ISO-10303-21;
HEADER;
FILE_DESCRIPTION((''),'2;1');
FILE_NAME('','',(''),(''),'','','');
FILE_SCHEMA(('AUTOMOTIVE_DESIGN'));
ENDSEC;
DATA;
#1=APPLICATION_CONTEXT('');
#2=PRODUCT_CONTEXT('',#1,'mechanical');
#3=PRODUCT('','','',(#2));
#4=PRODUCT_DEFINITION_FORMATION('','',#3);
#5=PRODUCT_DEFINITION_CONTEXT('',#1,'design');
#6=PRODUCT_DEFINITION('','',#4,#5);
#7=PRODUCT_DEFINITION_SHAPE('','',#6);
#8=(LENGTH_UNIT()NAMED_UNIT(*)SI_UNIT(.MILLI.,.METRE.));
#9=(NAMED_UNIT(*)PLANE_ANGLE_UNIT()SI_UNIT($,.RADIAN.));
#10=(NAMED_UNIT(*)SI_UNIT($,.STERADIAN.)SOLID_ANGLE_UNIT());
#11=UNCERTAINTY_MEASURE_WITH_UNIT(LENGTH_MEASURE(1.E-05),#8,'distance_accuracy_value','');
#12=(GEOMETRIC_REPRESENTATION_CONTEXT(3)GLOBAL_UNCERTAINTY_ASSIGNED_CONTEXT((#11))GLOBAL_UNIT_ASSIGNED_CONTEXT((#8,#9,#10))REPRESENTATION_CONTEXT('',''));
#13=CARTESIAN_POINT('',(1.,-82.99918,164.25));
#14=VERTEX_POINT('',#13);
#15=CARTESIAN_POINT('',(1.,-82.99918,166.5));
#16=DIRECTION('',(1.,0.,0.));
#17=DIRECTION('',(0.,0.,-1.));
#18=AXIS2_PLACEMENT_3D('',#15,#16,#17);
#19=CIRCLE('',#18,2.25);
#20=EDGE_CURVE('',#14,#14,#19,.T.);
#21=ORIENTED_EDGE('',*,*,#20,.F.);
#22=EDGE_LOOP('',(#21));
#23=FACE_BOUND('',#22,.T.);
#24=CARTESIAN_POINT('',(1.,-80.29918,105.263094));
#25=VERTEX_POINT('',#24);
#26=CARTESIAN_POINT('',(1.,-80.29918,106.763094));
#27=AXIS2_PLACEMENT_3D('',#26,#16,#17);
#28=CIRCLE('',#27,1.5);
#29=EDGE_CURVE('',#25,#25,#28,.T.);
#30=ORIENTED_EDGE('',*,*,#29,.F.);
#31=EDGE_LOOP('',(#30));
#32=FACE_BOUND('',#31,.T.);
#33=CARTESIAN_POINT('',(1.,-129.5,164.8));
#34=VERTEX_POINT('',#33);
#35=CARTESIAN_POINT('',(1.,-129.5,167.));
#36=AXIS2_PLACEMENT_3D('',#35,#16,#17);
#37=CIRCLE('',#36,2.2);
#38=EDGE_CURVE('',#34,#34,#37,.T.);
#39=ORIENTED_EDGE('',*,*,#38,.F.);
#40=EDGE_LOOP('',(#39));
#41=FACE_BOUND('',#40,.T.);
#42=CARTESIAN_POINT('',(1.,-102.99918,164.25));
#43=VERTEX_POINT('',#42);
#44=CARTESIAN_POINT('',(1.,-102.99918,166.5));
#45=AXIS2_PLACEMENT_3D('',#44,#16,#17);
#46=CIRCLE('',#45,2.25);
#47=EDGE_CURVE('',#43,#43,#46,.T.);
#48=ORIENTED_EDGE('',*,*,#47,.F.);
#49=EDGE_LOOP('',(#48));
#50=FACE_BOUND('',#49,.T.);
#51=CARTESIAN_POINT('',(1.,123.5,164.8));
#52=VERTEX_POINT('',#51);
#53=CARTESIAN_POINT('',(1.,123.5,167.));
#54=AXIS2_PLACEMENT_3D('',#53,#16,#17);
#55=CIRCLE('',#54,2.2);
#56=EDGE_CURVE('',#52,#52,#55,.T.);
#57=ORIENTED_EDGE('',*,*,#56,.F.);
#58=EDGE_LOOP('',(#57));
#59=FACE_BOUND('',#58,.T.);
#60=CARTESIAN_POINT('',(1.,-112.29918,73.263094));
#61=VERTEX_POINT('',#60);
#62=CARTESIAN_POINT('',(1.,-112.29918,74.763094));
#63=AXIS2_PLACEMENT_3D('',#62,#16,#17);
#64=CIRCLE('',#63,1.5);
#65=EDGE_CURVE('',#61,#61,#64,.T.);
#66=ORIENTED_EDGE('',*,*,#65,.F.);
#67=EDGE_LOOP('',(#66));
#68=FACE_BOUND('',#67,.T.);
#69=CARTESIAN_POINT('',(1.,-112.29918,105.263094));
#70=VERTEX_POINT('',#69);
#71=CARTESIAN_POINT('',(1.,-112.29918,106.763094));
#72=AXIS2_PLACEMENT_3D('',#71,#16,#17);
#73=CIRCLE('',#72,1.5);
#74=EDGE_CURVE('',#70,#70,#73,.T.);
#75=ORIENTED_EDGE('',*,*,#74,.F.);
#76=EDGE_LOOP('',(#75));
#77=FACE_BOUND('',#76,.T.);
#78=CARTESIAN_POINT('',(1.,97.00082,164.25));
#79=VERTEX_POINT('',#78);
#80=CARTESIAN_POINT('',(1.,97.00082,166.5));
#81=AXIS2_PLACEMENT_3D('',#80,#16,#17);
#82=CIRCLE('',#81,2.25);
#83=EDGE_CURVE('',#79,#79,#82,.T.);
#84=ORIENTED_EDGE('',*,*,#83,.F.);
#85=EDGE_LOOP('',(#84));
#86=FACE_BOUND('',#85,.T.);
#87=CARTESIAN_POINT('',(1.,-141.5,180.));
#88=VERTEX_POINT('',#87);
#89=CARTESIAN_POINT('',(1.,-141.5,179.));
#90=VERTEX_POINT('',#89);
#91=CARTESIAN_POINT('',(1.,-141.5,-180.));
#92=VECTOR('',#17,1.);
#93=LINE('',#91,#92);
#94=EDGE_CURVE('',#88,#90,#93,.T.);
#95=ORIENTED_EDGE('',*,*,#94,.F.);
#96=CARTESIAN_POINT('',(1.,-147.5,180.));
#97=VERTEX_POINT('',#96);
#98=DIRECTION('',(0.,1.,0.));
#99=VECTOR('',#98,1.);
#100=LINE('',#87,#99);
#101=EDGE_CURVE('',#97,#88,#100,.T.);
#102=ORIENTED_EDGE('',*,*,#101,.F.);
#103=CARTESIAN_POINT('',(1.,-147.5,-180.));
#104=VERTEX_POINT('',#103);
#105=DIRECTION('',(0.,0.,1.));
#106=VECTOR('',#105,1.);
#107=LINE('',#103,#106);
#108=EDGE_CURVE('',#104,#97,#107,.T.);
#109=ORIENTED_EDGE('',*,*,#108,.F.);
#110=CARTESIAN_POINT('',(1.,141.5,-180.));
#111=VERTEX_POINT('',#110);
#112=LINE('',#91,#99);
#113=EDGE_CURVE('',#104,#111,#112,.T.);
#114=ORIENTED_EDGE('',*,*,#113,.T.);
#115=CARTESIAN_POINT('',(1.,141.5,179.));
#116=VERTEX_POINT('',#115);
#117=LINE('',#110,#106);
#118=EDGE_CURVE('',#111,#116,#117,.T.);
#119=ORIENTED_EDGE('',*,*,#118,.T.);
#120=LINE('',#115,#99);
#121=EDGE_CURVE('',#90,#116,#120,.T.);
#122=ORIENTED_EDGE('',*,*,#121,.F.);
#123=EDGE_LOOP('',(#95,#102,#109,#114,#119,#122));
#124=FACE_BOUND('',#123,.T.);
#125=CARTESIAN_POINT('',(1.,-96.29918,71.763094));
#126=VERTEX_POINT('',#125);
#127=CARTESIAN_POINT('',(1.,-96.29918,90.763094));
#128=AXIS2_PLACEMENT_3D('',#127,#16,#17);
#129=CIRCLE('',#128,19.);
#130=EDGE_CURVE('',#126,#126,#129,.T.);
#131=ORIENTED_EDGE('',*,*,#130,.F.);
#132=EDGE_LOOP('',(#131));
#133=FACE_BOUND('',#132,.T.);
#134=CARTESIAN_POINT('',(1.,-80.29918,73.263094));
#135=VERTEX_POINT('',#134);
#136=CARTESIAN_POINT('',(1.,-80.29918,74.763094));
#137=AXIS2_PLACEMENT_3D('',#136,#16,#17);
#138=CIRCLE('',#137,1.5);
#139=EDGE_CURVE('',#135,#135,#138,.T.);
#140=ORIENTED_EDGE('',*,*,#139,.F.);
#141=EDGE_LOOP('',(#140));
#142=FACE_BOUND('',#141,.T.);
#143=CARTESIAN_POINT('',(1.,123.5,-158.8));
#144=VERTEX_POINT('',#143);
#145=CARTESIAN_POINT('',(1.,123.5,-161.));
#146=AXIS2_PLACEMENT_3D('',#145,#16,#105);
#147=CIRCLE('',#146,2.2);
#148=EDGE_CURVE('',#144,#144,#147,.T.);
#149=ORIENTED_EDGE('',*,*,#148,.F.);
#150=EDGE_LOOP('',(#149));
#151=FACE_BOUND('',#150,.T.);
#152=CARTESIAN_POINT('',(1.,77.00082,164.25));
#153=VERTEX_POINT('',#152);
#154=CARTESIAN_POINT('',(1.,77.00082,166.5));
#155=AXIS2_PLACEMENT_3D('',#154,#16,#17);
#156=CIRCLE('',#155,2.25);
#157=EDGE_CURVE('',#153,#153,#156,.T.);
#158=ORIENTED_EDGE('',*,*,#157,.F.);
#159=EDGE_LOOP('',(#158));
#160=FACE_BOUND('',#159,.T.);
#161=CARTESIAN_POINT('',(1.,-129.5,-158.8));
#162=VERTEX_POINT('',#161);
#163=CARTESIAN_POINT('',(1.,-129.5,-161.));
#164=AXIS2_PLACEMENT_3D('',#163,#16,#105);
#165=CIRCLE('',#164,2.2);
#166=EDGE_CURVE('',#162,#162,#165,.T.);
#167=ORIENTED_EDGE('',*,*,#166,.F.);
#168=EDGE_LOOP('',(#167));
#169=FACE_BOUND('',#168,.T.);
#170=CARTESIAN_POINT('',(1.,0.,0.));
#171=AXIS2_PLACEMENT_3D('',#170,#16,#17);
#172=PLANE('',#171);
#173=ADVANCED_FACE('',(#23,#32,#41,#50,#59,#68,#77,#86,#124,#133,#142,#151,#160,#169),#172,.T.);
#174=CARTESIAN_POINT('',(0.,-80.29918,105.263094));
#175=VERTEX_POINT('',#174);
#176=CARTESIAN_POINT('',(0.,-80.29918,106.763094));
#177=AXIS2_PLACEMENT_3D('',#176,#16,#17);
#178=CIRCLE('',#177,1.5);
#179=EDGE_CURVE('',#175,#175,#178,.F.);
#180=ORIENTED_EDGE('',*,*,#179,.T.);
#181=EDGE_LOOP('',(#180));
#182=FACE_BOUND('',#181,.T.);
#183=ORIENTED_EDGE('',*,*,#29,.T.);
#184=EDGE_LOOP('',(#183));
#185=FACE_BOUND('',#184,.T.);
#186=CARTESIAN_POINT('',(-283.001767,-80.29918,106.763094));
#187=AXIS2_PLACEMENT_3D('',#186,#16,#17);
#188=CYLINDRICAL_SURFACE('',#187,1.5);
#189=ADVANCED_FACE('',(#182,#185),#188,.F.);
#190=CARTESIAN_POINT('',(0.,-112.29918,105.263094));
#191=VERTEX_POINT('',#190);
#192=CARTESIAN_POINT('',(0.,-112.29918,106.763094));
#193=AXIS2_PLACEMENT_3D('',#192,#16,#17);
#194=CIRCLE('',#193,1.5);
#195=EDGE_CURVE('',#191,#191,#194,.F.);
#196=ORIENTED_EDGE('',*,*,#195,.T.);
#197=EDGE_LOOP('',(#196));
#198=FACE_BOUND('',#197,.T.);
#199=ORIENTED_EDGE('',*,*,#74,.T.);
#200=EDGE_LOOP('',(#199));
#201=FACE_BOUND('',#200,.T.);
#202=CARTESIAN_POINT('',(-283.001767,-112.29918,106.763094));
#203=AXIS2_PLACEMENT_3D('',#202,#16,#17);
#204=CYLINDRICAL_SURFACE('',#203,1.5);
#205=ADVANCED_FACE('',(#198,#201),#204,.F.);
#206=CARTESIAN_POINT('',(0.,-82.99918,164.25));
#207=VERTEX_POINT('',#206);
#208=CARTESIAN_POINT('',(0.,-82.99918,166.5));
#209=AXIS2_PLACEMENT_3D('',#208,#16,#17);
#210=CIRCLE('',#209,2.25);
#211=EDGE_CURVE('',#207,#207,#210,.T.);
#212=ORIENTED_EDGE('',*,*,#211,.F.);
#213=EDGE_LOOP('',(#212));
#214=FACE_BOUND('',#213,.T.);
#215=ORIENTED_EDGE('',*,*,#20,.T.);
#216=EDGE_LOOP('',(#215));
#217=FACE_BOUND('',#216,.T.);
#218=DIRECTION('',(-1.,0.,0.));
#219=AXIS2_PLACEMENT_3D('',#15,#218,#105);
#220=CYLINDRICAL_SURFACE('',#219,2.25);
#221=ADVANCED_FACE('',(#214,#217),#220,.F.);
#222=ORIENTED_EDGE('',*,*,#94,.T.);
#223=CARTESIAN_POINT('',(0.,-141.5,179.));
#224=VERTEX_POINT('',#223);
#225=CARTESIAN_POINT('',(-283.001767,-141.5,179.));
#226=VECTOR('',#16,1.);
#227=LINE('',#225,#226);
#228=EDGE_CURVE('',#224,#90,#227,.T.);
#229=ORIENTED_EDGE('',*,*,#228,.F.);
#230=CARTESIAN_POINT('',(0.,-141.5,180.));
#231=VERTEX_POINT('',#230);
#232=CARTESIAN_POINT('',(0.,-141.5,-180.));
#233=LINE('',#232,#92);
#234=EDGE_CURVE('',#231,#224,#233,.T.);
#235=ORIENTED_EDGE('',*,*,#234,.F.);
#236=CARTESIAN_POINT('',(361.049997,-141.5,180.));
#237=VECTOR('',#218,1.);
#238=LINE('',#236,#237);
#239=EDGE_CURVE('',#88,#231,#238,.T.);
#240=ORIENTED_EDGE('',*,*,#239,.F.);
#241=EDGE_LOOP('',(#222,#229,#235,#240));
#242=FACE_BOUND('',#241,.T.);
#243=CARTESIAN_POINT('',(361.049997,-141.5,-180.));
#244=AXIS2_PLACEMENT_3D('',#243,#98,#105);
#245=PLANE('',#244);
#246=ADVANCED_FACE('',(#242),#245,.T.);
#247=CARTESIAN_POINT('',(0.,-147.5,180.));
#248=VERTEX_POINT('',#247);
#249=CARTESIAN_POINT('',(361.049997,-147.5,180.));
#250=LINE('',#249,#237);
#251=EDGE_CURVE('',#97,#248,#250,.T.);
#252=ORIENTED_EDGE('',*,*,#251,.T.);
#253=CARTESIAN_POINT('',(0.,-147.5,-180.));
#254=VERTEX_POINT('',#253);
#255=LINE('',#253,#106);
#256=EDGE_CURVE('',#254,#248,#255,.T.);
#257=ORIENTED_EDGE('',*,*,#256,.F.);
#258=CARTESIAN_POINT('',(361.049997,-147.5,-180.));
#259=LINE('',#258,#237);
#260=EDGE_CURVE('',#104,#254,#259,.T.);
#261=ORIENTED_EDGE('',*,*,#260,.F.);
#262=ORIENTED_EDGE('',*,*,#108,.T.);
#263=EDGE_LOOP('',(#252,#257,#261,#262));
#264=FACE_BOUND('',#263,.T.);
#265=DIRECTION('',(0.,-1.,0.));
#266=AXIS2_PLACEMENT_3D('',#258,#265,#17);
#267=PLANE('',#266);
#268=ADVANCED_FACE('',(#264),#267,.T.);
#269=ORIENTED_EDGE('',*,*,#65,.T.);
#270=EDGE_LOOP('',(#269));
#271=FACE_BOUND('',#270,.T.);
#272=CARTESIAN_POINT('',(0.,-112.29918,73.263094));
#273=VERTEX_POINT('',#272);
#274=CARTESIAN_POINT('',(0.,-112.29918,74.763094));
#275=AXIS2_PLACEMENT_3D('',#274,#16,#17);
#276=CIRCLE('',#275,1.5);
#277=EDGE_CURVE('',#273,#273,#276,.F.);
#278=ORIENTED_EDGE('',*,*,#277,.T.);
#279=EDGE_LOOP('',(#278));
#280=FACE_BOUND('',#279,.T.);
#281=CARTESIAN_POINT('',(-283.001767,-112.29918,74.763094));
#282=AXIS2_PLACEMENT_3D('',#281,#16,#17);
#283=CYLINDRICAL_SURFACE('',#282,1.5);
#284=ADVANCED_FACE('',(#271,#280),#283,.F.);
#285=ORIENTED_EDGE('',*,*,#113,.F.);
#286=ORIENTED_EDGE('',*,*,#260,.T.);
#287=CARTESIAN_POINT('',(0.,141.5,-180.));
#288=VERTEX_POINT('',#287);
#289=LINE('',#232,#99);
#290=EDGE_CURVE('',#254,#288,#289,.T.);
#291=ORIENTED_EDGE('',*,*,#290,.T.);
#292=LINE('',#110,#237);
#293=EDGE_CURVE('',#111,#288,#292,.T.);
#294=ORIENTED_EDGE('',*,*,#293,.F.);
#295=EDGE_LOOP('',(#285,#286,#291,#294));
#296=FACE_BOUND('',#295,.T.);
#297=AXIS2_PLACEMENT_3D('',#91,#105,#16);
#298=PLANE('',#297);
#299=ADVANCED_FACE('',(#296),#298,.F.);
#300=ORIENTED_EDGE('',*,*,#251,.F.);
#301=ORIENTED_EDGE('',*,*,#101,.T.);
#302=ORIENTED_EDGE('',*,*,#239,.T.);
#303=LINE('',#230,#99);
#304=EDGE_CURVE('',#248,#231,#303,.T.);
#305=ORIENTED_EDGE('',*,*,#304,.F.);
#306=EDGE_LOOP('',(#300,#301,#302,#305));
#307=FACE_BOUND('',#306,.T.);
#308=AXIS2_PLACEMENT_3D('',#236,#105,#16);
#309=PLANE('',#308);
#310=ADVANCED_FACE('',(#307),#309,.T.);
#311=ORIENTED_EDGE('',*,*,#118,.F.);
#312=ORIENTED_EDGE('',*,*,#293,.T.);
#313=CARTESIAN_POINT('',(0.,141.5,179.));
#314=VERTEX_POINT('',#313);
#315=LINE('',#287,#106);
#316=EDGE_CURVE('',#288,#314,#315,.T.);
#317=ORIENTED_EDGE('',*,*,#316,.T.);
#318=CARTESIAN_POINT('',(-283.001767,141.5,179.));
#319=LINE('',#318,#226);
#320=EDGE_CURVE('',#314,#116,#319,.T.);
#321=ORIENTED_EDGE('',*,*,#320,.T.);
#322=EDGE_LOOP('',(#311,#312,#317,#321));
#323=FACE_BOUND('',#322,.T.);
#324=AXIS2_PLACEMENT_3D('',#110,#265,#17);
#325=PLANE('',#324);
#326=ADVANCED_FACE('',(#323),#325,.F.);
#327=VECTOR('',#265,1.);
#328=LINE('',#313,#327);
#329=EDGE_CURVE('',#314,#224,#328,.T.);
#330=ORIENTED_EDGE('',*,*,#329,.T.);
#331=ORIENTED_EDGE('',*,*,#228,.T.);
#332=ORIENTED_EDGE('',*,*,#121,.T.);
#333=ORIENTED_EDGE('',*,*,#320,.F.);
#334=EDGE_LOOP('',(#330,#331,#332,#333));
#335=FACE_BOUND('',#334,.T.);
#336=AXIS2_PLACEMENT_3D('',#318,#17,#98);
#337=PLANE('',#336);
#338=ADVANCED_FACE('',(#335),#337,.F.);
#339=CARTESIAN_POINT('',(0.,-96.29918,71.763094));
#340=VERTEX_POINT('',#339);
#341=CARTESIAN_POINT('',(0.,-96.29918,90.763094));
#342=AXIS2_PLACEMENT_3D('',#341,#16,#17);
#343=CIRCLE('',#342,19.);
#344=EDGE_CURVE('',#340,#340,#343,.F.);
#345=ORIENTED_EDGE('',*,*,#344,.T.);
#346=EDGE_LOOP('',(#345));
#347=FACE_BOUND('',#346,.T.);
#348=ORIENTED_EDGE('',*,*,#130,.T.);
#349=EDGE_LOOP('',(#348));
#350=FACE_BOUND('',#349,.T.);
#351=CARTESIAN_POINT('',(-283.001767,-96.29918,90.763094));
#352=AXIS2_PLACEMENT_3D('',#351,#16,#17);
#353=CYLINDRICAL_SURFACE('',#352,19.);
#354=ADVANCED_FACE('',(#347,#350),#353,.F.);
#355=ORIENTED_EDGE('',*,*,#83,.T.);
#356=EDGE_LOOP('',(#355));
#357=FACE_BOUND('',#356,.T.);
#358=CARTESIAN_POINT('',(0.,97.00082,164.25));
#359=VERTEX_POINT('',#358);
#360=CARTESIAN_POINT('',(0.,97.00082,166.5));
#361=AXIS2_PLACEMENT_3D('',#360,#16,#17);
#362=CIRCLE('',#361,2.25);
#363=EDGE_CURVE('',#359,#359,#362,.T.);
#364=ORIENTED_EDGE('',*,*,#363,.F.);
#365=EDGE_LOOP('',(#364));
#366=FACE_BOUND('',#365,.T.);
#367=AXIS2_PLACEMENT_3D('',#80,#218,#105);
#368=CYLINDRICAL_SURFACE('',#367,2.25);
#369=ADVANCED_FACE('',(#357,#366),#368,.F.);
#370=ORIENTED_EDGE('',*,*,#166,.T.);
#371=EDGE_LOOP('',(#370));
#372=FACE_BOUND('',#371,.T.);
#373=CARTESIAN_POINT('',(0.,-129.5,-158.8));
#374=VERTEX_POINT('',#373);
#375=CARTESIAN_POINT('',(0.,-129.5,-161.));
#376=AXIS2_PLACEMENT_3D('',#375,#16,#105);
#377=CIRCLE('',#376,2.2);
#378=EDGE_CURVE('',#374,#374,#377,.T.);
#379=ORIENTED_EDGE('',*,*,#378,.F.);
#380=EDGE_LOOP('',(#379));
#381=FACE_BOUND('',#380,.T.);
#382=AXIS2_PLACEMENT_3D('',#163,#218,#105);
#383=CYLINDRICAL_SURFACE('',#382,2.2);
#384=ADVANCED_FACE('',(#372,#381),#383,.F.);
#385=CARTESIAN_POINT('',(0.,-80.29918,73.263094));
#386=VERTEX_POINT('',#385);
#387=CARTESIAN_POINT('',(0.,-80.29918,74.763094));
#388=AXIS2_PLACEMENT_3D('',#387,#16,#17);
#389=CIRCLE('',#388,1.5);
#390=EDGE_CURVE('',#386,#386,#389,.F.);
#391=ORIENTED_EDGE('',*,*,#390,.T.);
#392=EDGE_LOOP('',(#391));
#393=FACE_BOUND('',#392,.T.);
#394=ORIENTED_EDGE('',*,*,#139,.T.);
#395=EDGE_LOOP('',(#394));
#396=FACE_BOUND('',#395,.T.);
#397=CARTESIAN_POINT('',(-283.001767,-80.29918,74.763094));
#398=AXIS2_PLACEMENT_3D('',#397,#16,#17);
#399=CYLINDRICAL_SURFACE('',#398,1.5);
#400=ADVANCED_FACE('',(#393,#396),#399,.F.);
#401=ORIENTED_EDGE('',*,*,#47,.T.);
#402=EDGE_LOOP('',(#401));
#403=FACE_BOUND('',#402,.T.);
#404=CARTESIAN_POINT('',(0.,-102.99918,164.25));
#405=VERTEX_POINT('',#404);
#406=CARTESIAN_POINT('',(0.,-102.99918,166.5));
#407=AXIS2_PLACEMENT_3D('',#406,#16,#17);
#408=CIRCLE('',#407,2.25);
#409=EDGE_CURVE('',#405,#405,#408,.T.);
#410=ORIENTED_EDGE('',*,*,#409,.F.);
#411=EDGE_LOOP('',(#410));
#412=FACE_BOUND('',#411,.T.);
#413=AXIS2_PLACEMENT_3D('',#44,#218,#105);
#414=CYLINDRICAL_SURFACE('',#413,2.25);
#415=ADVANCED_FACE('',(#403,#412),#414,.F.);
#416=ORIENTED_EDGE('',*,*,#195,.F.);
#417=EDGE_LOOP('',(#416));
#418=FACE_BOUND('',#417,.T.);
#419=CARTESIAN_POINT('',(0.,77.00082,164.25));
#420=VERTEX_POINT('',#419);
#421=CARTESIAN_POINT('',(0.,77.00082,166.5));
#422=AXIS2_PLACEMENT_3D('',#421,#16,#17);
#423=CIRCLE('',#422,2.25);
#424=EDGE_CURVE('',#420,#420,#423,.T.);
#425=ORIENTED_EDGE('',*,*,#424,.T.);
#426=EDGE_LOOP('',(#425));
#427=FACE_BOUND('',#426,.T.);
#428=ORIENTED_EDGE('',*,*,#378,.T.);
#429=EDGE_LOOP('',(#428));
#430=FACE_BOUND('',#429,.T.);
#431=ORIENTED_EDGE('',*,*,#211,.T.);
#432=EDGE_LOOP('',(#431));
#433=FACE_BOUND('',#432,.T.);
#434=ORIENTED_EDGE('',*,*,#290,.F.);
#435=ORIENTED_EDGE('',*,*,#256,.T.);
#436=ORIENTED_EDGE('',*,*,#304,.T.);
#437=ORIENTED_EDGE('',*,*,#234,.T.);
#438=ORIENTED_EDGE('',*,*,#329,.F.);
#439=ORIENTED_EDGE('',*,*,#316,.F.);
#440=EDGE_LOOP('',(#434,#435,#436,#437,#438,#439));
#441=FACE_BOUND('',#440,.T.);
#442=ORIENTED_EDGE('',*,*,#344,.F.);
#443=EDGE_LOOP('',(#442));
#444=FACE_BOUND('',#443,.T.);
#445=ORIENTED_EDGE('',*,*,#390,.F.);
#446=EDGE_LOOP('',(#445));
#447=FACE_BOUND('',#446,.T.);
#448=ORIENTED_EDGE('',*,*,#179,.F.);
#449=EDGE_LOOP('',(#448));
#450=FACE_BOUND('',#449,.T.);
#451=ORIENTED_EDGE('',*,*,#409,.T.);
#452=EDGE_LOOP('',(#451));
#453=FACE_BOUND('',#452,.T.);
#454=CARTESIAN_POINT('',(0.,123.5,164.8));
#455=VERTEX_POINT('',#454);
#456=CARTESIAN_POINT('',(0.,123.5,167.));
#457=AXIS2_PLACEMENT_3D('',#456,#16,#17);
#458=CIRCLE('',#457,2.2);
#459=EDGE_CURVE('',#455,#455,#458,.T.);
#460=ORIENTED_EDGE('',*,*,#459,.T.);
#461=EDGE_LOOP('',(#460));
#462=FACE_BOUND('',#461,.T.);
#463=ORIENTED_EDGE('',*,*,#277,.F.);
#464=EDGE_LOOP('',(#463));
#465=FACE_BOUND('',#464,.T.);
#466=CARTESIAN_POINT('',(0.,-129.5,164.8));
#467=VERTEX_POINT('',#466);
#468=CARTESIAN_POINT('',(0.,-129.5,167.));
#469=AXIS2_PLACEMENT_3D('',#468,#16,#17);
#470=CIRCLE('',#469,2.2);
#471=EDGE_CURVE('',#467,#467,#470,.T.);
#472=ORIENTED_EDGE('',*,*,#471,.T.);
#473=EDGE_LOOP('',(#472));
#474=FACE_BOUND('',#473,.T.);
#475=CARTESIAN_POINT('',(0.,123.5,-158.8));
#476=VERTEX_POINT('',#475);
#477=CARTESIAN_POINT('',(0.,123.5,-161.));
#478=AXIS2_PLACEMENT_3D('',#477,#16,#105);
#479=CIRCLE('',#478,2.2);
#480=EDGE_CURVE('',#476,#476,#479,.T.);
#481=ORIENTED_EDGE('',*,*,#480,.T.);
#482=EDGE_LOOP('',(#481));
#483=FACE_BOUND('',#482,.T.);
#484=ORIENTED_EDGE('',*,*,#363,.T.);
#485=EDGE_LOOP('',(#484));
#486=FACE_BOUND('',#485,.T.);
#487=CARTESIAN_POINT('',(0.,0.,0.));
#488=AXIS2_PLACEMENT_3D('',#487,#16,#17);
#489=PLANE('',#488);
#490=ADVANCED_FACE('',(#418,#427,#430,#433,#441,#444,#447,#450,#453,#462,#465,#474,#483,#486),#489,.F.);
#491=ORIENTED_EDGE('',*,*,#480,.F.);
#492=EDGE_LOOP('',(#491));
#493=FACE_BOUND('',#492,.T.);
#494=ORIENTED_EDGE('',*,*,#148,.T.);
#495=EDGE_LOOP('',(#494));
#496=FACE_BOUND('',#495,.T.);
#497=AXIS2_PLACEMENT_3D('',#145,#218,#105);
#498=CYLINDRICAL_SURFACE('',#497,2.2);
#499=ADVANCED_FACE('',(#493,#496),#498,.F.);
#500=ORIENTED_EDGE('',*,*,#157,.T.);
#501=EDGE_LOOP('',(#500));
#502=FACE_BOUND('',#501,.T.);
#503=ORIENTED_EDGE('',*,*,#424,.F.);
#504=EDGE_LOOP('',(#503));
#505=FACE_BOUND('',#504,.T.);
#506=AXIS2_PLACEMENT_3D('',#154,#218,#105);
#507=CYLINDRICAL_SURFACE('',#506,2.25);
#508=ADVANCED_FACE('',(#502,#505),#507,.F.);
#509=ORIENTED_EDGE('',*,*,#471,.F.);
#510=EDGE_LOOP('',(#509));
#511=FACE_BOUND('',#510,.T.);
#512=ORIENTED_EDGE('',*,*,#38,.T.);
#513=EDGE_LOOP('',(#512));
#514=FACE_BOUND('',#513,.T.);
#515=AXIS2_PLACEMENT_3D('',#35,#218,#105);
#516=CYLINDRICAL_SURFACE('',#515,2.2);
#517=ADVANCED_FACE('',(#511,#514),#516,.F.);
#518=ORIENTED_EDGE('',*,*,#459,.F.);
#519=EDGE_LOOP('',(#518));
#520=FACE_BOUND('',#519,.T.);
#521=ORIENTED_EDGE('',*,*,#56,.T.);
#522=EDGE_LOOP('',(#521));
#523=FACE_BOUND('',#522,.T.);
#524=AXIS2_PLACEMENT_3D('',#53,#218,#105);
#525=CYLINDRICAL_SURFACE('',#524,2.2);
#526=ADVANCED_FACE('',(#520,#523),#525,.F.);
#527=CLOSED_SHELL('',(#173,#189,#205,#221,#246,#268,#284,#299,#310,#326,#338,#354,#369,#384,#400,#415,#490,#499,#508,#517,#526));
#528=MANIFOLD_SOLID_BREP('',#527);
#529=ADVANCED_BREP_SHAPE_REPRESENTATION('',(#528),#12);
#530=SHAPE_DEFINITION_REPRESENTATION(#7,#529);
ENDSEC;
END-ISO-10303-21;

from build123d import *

# Parameters (mm, degrees)
SKETCH1_W           = 360
SKETCH1_H           = 283
SKETCH1_R           = 2.2
SKETCH1_R_2         = 2.25
BOSS_EXTRUDE1_DEPTH = 1
SKETCH3_R           = 18.999999993
SKETCH3_R_2         = 1.499999993
SKETCH3_W           = 1
SKETCH3_H           = 283
CUT_EXTRUDE1_DEPTH  = 1
SKETCH4_W           = 360
SKETCH4_H           = 6
BOSS_EXTRUDE2_DEPTH = 1


with BuildPart() as part:
    # Sketch1 → Boss-Extrude1 (new body)
    with BuildSketch(Plane(origin=(0, 0, 0), x_dir=(0, 0, -1), z_dir=(1, 0, 0))):
        Rectangle(SKETCH1_W, SKETCH1_H)
        with Locations((-167, 123.5)):
            Circle(SKETCH1_R, mode=Mode.SUBTRACT)
        with Locations((-167, -129.5)):
            Circle(SKETCH1_R, mode=Mode.SUBTRACT)
        with Locations(Location((161, 123.5, 0), (0, 0, 180))):
            Circle(SKETCH1_R, mode=Mode.SUBTRACT)
        with Locations(Location((161, -129.5, 0), (0, 0, 180))):
            Circle(SKETCH1_R, mode=Mode.SUBTRACT)
        with Locations((-166.5, 97.000820447)):
            Circle(SKETCH1_R_2, mode=Mode.SUBTRACT)
        with Locations((-166.5, 77.000820447)):
            Circle(SKETCH1_R_2, mode=Mode.SUBTRACT)
        with Locations((-166.5, -82.999179553)):
            Circle(SKETCH1_R_2, mode=Mode.SUBTRACT)
        with Locations((-166.5, -102.999179553)):
            Circle(SKETCH1_R_2, mode=Mode.SUBTRACT)
    extrude(amount=BOSS_EXTRUDE1_DEPTH)

    # Sketch3 → Cut-Extrude1 (cut)
    with BuildSketch(Plane(origin=(1, 0, 0), x_dir=(0, 0, -1), z_dir=(1, 0, 0))):
        with Locations((-90.763094033, -96.299179553)):
            Circle(SKETCH3_R)
        with Locations((-106.763094033, -80.299179553)):
            Circle(SKETCH3_R_2)
        with Locations((-74.763094033, -80.299179553)):
            Circle(SKETCH3_R_2)
        with Locations((-74.763094033, -112.299179553)):
            Circle(SKETCH3_R_2)
        with Locations((-106.763094033, -112.299179553)):
            Circle(SKETCH3_R_2)
        with Locations((-179.5, 0)):
            Rectangle(SKETCH3_W, SKETCH3_H)
    extrude(amount=-CUT_EXTRUDE1_DEPTH, mode=Mode.SUBTRACT)

    # Sketch4 → Boss-Extrude2 (add)
    with BuildSketch(Plane.ZY):
        with Locations((0, -144.5)):
            Rectangle(SKETCH4_W, SKETCH4_H)
    extrude(amount=-BOSS_EXTRUDE2_DEPTH)


solid = part.part
